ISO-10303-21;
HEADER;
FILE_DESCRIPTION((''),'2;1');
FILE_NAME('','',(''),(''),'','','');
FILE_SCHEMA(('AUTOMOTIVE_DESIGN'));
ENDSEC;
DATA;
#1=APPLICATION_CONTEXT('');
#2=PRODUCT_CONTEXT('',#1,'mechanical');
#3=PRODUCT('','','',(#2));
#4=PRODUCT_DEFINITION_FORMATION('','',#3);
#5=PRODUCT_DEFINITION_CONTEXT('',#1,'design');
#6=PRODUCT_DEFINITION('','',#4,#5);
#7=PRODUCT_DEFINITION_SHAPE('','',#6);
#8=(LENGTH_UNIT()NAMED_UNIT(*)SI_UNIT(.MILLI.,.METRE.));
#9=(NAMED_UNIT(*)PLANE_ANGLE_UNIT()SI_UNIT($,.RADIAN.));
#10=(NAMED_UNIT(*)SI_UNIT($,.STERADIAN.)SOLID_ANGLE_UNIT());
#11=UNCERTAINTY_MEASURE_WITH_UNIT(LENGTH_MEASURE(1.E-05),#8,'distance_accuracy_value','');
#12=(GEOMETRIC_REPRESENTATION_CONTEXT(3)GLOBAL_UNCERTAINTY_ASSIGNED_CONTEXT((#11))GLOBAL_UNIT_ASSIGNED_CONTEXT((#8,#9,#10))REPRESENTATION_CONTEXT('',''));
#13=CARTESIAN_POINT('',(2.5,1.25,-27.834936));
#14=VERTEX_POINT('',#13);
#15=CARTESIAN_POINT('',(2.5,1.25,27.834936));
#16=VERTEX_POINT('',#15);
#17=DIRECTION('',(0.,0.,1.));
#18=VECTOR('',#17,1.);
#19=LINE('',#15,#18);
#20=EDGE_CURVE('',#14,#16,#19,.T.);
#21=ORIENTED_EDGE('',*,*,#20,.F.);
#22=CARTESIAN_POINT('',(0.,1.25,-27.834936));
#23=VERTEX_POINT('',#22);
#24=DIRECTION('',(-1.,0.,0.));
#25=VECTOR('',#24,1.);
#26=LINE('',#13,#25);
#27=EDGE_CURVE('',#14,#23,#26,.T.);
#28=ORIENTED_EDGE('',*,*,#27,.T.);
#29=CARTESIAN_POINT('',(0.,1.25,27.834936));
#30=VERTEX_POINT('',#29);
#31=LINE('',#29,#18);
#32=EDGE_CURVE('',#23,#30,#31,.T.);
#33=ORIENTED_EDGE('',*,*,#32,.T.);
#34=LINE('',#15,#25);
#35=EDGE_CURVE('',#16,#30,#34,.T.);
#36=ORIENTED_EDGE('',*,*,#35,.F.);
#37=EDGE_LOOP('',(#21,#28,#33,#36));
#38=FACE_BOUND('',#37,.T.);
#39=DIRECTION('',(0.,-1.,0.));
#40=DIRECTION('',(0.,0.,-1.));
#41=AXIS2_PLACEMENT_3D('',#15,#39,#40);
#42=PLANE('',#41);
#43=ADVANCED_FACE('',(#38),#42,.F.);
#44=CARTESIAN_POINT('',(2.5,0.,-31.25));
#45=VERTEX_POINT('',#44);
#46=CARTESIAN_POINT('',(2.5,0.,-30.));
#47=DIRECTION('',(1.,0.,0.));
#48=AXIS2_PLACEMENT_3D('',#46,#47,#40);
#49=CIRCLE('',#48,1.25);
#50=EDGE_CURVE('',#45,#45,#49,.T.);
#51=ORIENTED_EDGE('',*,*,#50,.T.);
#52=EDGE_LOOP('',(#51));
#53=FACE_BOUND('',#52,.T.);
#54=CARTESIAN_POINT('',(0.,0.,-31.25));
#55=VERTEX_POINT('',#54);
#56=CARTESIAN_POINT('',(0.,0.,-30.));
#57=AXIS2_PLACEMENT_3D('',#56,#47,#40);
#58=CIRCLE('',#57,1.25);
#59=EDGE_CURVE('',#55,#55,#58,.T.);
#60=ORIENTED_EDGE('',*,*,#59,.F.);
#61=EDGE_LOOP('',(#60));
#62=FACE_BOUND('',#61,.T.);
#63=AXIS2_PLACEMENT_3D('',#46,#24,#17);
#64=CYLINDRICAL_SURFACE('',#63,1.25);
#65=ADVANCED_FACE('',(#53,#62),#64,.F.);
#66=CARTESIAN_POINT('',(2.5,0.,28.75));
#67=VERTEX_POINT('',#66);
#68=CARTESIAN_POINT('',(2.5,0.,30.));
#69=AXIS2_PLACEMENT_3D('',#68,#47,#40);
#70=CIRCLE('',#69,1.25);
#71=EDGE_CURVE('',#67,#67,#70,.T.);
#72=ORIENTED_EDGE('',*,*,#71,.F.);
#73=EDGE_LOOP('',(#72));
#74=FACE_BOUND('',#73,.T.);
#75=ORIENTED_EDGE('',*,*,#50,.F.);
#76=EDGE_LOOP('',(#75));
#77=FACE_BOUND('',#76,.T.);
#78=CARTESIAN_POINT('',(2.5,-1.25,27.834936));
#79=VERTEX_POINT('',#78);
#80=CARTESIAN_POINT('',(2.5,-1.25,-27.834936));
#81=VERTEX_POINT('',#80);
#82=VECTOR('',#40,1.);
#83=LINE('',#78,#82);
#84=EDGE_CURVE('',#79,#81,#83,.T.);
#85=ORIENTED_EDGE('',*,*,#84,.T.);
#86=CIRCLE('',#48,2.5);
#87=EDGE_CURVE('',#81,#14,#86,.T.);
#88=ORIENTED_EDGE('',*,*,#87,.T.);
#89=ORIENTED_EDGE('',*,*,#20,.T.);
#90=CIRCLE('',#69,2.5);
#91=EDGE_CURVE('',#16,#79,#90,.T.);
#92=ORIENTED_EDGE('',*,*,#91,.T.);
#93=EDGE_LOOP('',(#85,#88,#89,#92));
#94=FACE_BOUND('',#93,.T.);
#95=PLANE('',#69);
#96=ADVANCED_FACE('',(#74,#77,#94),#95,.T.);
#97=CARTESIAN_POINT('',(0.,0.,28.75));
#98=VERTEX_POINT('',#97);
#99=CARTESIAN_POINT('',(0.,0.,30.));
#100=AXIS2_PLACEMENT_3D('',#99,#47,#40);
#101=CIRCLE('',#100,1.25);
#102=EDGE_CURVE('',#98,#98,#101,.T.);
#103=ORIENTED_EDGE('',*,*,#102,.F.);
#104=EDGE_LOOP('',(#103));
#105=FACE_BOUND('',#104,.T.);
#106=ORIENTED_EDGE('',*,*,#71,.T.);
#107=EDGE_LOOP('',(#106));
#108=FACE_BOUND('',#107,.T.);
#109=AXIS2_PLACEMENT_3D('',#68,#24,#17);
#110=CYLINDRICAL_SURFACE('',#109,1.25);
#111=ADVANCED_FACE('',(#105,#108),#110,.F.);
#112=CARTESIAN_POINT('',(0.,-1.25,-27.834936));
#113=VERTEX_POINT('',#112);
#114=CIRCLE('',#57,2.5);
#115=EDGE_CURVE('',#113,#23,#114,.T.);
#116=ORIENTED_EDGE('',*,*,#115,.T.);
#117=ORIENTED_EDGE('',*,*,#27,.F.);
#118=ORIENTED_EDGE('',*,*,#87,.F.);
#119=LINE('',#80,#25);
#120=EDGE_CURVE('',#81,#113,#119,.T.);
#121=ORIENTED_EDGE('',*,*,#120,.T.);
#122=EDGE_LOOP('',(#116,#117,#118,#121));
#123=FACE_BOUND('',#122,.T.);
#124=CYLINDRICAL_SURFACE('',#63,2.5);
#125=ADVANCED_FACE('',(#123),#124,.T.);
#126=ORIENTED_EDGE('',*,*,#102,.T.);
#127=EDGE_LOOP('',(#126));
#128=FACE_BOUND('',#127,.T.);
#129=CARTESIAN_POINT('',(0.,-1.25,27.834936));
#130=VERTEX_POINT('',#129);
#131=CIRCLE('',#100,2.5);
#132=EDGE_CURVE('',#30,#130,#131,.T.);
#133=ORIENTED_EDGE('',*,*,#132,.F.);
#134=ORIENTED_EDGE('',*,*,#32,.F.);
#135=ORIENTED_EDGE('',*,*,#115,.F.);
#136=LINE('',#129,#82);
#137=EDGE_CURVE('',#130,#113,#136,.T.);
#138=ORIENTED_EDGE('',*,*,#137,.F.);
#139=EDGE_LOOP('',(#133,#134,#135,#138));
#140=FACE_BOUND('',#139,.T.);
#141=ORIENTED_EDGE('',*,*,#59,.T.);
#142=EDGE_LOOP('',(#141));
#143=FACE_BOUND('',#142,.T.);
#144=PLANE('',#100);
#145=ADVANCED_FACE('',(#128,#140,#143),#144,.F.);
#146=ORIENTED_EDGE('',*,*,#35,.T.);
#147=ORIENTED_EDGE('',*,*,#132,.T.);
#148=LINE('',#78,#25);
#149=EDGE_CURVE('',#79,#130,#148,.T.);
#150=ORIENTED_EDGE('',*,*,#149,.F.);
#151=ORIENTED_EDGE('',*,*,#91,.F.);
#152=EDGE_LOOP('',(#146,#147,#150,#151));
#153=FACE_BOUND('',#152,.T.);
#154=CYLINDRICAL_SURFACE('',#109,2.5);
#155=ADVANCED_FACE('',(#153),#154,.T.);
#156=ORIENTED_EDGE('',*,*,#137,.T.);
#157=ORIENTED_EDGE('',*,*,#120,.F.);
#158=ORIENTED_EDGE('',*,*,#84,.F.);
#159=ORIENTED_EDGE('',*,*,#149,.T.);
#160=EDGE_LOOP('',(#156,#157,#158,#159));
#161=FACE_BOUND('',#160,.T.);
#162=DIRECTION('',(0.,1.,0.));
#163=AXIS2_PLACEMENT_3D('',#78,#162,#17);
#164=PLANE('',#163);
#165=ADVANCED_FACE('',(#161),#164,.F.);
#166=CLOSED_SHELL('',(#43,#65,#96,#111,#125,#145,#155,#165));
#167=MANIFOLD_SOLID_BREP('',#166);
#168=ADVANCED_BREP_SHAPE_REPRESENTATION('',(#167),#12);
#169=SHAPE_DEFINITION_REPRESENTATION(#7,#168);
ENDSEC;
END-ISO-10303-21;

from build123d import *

# Parameters (mm, degrees)
SKETCH_1_R      = 1.25
EXTRUDE_1_DEPTH = 2.5


with BuildPart() as part:
    # 스케치1 → 보스-돌출1 (new body)
    with BuildSketch(Plane(origin=(0, 0, 0), x_dir=(0, 0, -1), z_dir=(1, 0, 0))):
        with BuildLine():
            Line((-27.834936491, 1.25), (27.834936491, 1.25))
            ThreePointArc((27.834936491, 1.25), (32.5, 0), (27.834936491, -1.25))
            Line((27.834936491, -1.25), (-27.834936491, -1.25))
            ThreePointArc((-27.834936491, -1.25), (-32.5, 0), (-27.834936491, 1.25))
        make_face()
        with Locations((-30, 0)):
            Circle(SKETCH_1_R, mode=Mode.SUBTRACT)
        with Locations((30, 0)):
            Circle(SKETCH_1_R, mode=Mode.SUBTRACT)
    extrude(amount=EXTRUDE_1_DEPTH)


solid = part.part
